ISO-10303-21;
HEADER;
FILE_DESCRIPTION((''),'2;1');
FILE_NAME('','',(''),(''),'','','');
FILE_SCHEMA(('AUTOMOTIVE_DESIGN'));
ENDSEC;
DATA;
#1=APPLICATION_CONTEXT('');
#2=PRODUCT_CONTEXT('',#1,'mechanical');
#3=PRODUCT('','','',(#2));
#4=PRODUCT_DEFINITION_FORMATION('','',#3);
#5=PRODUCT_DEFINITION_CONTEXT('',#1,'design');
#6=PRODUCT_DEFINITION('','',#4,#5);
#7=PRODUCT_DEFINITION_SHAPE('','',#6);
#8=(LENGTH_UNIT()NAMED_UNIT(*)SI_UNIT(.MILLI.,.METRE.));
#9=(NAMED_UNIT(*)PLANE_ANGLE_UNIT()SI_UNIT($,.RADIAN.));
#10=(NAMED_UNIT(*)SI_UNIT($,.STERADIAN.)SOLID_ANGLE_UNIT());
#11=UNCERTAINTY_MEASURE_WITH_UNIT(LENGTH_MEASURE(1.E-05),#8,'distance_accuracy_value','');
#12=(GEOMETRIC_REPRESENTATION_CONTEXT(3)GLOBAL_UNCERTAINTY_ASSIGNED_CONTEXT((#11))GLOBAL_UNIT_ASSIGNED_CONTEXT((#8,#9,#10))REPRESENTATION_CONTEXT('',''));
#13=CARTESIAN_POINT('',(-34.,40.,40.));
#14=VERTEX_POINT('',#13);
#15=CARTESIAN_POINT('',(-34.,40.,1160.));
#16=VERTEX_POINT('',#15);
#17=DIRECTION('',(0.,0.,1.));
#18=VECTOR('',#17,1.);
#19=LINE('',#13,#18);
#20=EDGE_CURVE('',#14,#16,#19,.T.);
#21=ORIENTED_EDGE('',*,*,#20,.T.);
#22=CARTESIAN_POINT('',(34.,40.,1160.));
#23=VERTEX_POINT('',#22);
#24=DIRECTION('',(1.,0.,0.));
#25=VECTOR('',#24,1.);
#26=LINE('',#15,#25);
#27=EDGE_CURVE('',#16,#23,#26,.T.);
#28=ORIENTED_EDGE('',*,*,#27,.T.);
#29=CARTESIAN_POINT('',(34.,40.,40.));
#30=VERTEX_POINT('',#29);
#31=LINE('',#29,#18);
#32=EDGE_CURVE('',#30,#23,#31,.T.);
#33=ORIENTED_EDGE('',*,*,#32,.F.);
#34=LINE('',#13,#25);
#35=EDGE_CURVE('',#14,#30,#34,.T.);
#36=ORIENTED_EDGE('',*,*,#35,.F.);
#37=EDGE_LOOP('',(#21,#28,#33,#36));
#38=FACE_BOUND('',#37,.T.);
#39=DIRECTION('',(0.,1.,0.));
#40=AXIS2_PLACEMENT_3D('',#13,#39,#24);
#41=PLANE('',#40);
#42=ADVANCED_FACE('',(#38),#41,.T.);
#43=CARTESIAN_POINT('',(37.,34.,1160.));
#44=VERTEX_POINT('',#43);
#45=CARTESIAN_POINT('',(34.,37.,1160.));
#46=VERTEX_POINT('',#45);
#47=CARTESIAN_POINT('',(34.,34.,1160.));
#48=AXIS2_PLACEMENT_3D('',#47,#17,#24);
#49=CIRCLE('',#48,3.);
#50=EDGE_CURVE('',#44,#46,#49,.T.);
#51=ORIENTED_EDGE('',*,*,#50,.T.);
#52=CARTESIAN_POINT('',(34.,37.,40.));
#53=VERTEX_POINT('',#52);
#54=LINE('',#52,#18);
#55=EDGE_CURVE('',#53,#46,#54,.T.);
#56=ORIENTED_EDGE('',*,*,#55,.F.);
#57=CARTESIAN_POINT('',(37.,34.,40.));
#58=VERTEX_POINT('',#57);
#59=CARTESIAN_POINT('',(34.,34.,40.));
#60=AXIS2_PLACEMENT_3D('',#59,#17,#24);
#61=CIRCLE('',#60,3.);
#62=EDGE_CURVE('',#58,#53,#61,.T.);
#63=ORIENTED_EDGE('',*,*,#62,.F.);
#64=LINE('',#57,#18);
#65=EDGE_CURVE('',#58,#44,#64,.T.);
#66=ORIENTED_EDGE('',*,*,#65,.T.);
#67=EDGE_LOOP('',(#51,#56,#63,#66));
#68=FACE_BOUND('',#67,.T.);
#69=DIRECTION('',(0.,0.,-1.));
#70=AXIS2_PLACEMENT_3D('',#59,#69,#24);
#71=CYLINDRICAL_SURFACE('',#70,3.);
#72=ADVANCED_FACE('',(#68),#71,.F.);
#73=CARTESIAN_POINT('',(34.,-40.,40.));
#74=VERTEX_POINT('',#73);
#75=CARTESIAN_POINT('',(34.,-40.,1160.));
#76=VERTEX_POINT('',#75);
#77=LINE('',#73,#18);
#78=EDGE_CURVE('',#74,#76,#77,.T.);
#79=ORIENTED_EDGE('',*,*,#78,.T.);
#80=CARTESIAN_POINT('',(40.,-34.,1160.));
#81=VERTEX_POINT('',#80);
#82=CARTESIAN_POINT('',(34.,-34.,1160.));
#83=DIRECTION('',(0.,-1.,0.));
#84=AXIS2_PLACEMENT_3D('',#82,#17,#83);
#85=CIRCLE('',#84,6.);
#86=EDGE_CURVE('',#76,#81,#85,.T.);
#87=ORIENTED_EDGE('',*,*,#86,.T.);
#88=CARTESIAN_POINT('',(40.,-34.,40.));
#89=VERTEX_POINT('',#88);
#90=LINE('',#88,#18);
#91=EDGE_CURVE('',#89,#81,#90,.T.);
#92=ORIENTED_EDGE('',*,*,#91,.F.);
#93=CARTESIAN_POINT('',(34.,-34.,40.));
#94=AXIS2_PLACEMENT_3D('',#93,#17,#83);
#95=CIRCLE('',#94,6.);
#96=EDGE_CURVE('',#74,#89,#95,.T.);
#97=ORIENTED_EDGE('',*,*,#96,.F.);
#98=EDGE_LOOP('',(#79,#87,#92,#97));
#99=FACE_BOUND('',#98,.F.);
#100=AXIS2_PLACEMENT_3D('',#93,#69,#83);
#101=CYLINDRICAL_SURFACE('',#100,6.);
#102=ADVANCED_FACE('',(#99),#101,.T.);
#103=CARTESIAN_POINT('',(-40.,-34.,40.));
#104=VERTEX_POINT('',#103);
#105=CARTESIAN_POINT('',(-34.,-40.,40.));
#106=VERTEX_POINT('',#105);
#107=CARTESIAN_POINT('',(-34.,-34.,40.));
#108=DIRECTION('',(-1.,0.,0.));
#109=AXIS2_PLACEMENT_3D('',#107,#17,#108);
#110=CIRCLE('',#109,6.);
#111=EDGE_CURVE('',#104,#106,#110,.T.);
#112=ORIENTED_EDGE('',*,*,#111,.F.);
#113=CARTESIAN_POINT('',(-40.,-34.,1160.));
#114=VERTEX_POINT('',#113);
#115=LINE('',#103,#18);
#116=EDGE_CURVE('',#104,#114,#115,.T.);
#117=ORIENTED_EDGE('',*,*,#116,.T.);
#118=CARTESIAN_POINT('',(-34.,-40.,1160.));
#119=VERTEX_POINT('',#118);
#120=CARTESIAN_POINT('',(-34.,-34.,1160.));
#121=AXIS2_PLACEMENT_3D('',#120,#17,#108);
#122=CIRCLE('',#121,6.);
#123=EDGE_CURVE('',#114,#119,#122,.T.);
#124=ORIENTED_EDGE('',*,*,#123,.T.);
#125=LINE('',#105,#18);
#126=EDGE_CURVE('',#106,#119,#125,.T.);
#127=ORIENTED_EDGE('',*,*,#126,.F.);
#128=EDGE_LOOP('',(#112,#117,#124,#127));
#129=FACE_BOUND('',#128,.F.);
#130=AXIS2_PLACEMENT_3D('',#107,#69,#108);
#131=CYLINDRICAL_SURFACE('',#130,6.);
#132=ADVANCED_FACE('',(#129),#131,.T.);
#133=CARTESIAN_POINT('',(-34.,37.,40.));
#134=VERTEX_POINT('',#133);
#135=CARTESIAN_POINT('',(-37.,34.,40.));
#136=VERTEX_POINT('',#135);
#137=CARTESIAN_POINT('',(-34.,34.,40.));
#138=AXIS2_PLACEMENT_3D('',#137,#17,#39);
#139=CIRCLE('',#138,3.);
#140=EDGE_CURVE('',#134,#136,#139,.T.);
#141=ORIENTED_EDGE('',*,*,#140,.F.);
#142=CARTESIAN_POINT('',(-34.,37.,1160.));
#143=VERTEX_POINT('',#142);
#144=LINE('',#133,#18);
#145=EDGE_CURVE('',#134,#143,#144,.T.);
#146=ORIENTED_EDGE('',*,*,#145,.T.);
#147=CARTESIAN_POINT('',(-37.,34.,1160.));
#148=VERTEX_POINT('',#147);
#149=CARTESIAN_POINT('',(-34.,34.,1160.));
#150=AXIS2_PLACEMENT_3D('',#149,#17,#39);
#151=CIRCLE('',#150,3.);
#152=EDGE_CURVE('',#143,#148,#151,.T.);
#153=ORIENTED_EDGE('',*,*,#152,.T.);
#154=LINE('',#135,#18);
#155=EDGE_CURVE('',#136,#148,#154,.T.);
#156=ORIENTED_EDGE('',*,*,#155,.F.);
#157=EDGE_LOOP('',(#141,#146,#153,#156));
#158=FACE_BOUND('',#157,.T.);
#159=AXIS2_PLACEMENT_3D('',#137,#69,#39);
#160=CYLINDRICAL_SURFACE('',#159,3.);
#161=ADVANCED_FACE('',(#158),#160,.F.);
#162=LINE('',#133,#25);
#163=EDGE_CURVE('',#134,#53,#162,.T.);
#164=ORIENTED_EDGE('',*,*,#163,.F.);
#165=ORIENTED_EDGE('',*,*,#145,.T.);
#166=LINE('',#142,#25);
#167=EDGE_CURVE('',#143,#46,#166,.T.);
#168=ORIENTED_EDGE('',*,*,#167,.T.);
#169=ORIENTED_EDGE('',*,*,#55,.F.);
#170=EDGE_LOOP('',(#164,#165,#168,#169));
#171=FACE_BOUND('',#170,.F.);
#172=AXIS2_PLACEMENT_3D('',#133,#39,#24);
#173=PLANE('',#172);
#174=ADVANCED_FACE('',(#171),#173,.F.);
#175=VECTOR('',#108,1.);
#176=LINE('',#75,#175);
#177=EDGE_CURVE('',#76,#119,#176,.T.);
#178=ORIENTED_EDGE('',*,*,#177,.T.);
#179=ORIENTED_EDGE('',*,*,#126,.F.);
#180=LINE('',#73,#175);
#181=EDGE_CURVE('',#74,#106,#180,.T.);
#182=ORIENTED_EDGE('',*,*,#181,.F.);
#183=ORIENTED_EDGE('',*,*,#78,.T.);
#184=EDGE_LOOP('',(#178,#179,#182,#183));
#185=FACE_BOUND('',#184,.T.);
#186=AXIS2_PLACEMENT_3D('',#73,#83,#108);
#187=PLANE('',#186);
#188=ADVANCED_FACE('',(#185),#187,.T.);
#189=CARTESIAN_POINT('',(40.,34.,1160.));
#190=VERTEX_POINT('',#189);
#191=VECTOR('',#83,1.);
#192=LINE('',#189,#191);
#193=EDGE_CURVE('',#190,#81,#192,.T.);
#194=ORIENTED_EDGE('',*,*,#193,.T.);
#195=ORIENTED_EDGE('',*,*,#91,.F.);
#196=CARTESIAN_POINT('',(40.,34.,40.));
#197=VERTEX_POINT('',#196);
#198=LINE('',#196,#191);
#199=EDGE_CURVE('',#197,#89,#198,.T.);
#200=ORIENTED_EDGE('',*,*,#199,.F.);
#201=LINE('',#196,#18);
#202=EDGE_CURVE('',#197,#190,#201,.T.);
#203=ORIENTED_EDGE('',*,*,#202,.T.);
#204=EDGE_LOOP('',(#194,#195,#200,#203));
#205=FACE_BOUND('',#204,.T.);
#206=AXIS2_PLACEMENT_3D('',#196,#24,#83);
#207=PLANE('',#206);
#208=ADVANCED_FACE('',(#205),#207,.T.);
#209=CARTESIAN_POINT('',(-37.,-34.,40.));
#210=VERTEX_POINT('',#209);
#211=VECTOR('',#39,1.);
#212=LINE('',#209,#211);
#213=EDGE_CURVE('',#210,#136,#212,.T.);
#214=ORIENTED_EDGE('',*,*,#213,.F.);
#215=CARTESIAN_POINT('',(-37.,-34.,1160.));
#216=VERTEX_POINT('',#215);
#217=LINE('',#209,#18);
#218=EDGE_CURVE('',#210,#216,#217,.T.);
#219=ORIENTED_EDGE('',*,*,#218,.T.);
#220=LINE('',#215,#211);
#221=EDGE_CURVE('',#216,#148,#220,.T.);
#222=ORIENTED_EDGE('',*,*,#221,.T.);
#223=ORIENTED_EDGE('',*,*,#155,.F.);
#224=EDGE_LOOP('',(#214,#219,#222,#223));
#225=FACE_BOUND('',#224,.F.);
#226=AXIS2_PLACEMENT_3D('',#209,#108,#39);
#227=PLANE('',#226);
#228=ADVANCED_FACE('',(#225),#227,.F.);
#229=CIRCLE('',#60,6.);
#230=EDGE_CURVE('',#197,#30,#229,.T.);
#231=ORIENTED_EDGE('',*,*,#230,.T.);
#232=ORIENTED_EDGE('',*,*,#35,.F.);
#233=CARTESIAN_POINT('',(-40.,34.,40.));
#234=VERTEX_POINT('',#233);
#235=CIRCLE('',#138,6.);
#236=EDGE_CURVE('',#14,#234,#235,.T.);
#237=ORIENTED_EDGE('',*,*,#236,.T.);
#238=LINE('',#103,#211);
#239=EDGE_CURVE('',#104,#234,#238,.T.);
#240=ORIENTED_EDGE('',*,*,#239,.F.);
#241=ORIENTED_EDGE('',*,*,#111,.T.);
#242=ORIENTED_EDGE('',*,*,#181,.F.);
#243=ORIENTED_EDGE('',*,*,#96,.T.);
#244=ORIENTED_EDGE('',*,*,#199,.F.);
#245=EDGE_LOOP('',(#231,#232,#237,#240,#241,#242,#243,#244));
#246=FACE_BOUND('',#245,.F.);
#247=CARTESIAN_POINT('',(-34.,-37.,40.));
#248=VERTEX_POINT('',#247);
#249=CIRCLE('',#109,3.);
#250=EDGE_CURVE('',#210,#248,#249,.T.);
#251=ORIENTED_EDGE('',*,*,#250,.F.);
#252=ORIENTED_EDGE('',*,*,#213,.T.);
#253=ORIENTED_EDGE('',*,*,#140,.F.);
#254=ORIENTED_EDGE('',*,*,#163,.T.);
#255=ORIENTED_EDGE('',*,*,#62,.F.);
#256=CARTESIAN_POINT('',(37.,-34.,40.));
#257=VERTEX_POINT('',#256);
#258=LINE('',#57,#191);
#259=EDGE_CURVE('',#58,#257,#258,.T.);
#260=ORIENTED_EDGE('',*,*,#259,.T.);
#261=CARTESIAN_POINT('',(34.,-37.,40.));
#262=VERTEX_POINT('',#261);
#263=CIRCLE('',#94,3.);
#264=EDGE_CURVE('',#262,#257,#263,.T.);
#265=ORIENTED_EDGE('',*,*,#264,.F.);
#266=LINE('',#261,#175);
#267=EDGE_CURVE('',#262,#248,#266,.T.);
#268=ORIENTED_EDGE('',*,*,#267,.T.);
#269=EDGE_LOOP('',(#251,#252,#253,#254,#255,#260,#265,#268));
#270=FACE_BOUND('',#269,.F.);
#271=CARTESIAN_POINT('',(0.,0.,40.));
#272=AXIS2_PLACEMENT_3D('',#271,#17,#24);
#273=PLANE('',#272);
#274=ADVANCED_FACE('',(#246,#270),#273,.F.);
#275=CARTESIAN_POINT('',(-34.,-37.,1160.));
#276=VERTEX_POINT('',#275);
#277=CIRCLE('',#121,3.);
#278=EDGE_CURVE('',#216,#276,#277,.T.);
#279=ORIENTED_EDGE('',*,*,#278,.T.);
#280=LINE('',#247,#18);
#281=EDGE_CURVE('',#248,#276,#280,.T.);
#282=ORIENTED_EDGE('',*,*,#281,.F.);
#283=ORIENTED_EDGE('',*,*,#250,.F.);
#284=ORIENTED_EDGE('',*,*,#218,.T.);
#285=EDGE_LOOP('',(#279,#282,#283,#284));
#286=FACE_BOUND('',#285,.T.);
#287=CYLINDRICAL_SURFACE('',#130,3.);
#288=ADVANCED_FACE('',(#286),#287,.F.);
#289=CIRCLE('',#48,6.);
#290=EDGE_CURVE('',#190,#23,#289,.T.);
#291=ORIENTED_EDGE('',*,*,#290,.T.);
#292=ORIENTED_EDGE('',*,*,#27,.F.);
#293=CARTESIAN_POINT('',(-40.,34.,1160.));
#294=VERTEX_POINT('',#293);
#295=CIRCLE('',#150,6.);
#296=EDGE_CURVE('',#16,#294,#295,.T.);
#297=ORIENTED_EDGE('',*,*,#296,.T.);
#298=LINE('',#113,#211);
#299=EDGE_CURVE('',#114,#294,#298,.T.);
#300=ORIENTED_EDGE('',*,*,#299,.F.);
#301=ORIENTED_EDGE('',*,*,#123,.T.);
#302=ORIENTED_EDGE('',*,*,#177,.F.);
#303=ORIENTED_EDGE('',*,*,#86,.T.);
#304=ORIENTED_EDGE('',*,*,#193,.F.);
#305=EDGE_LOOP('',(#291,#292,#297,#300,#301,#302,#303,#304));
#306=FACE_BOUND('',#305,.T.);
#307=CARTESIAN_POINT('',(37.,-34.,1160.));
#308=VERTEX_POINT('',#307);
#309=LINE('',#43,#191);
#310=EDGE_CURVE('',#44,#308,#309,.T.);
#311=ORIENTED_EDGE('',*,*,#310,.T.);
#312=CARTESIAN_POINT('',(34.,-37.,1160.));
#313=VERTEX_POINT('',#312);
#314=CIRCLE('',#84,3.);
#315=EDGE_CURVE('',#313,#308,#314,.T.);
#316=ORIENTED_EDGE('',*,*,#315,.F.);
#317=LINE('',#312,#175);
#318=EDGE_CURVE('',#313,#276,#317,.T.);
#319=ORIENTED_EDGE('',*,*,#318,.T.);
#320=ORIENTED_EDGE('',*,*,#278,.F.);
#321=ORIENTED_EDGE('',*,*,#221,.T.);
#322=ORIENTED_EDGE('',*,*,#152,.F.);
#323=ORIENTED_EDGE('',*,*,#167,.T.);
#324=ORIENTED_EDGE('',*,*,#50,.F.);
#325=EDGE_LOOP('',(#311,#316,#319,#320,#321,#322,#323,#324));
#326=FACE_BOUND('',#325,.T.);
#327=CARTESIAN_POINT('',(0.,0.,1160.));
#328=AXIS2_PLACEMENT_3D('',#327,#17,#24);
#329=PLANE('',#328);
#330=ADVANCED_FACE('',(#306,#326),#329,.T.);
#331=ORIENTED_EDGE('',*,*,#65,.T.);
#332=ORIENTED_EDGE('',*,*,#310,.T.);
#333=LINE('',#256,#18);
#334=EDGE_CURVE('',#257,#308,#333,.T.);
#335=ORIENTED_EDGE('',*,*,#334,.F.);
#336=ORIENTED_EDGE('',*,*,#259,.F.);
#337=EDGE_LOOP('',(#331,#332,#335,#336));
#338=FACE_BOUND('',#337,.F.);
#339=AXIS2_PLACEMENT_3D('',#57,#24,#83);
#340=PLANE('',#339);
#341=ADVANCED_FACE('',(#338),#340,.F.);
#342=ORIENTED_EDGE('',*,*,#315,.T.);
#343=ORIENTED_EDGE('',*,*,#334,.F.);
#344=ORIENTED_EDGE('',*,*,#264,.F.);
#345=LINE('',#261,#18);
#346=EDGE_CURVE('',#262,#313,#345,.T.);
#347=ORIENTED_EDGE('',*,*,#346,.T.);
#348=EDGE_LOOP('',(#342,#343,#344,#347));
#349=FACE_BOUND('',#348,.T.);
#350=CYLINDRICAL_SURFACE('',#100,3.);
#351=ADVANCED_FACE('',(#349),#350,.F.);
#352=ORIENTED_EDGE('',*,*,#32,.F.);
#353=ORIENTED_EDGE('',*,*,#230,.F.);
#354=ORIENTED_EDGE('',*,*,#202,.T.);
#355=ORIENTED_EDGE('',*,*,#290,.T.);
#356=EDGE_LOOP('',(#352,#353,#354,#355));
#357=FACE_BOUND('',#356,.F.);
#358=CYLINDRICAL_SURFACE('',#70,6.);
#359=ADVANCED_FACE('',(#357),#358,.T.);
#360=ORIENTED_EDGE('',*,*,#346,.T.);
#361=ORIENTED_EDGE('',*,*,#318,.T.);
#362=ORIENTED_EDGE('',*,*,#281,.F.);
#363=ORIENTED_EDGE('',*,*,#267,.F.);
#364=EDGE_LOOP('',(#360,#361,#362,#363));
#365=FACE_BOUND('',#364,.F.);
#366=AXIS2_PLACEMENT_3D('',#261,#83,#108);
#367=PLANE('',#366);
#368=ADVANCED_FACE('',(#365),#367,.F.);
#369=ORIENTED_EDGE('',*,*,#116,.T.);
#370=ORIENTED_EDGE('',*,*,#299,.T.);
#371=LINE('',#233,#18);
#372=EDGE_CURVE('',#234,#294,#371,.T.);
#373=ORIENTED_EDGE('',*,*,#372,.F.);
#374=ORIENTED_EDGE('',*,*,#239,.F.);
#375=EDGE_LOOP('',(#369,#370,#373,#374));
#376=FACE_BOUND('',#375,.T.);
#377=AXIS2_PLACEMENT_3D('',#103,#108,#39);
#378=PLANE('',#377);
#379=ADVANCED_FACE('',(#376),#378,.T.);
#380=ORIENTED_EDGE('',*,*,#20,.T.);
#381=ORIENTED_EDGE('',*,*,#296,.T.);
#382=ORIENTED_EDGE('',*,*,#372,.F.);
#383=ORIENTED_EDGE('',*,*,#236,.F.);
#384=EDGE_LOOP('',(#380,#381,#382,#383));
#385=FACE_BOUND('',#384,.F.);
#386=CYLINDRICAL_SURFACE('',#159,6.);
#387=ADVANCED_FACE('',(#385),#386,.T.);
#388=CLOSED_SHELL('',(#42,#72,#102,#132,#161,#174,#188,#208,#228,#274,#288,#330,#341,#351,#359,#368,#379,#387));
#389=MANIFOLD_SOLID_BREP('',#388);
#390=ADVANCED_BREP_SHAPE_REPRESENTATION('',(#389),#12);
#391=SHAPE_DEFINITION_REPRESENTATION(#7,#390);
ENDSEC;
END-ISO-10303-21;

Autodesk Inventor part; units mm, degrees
ref_plane "YZ Plane" through (0, 0, 0) normal (1, 0, 0) x (0, 1, 0)
ref_plane "Start Plane" through (0, 0, 40) normal (0, 0, 1) x (1, 0, 0)
ref_plane "End Plane" through (0, 0, 1160) normal (0, 0, 1) x (1, 0, 0)
sketch "Sketch" plane through (0, 0, 0) normal (0, 0, 1) x (1, 0, 0)
  line L0 (-40, -34) -> (-40, 34)
  line L1 (-34, 40) -> (34, 40)
  line L2 (40, 34) -> (40, -34)
  line L3 (34, -40) -> (-34, -40)
  arc A0 (-40, -34) -> (-34, -40) centre (-34, -34) ccw
  arc A1 (40, 34) -> (34, 40) centre (34, 34) ccw
  arc A2 (-34, 40) -> (-40, 34) centre (-34, 34) ccw
  arc A3 (34, -40) -> (40, -34) centre (34, -34) ccw
  arc A4 (-34, 37) -> (-37, 34) centre (-34, 34) ccw
  line L4 (-34, 37) -> (34, 37)
  arc A5 (37, 34) -> (34, 37) centre (34, 34) ccw
  line L5 (37, 34) -> (37, -34)
  arc A6 (34, -37) -> (37, -34) centre (34, -34) ccw
  line L6 (34, -37) -> (-34, -37)
  arc A7 (-37, -34) -> (-34, -37) centre (-34, -34) ccw
  line L7 (-37, -34) -> (-37, 34)
  line L8 (0, 57.7397) -> (0, -57.7397) construction
  line L9 (-57.7397, 0) -> (57.7397, 0) construction
  dimension "d7" = 6
  dimension "d9" = 80
  dimension "d11" = 80
  dimension "d12" = 3
  dimension "d15" = 40
  dimension "d16" = 40
extrude "Body" add sketch "Sketch" along normal up to surface (1120 mm away) from surface at 40
sketch "Sketch3" plane through (0, 0, 0) normal (0, 0, 1) x (1, 0, 0)
  line L0 (0, 0) -> (10, 0)
ref_plane "Work Plane3" through (0, 0, 0) normal (0, -1, 0) x (1, 0, 0)
sketch "Sketch4" plane through (0, 0, 0) normal (0, -1, 0) x (1, 0, 0)
  line L0 (-2, 40) -> (12, 40) projected
  line L1 (-2, 1160) -> (12, 1160) projected
  dimension "d18" = 1120
equation "\"d7\" = G_IR"
equation "\"d9\" = G_W"
equation "\"d11\" = G_H"
equation "\"d12\" = G_T"
equation "\"d15\" = 0.5 * d9"
equation "\"d16\" = 0.5 * d11"
equation "\"d3\" = G_L"
equation "\"G_W\" = 80"
equation "\"G_H\" = 80"
equation "\"G_T\" = 3"
equation "\"G_IR\" = 6"
equation "\"G_L\" = d18"
properties part number "ISO 10799-2 - 80x80x3 - 1120" material "Steel, Mild"
